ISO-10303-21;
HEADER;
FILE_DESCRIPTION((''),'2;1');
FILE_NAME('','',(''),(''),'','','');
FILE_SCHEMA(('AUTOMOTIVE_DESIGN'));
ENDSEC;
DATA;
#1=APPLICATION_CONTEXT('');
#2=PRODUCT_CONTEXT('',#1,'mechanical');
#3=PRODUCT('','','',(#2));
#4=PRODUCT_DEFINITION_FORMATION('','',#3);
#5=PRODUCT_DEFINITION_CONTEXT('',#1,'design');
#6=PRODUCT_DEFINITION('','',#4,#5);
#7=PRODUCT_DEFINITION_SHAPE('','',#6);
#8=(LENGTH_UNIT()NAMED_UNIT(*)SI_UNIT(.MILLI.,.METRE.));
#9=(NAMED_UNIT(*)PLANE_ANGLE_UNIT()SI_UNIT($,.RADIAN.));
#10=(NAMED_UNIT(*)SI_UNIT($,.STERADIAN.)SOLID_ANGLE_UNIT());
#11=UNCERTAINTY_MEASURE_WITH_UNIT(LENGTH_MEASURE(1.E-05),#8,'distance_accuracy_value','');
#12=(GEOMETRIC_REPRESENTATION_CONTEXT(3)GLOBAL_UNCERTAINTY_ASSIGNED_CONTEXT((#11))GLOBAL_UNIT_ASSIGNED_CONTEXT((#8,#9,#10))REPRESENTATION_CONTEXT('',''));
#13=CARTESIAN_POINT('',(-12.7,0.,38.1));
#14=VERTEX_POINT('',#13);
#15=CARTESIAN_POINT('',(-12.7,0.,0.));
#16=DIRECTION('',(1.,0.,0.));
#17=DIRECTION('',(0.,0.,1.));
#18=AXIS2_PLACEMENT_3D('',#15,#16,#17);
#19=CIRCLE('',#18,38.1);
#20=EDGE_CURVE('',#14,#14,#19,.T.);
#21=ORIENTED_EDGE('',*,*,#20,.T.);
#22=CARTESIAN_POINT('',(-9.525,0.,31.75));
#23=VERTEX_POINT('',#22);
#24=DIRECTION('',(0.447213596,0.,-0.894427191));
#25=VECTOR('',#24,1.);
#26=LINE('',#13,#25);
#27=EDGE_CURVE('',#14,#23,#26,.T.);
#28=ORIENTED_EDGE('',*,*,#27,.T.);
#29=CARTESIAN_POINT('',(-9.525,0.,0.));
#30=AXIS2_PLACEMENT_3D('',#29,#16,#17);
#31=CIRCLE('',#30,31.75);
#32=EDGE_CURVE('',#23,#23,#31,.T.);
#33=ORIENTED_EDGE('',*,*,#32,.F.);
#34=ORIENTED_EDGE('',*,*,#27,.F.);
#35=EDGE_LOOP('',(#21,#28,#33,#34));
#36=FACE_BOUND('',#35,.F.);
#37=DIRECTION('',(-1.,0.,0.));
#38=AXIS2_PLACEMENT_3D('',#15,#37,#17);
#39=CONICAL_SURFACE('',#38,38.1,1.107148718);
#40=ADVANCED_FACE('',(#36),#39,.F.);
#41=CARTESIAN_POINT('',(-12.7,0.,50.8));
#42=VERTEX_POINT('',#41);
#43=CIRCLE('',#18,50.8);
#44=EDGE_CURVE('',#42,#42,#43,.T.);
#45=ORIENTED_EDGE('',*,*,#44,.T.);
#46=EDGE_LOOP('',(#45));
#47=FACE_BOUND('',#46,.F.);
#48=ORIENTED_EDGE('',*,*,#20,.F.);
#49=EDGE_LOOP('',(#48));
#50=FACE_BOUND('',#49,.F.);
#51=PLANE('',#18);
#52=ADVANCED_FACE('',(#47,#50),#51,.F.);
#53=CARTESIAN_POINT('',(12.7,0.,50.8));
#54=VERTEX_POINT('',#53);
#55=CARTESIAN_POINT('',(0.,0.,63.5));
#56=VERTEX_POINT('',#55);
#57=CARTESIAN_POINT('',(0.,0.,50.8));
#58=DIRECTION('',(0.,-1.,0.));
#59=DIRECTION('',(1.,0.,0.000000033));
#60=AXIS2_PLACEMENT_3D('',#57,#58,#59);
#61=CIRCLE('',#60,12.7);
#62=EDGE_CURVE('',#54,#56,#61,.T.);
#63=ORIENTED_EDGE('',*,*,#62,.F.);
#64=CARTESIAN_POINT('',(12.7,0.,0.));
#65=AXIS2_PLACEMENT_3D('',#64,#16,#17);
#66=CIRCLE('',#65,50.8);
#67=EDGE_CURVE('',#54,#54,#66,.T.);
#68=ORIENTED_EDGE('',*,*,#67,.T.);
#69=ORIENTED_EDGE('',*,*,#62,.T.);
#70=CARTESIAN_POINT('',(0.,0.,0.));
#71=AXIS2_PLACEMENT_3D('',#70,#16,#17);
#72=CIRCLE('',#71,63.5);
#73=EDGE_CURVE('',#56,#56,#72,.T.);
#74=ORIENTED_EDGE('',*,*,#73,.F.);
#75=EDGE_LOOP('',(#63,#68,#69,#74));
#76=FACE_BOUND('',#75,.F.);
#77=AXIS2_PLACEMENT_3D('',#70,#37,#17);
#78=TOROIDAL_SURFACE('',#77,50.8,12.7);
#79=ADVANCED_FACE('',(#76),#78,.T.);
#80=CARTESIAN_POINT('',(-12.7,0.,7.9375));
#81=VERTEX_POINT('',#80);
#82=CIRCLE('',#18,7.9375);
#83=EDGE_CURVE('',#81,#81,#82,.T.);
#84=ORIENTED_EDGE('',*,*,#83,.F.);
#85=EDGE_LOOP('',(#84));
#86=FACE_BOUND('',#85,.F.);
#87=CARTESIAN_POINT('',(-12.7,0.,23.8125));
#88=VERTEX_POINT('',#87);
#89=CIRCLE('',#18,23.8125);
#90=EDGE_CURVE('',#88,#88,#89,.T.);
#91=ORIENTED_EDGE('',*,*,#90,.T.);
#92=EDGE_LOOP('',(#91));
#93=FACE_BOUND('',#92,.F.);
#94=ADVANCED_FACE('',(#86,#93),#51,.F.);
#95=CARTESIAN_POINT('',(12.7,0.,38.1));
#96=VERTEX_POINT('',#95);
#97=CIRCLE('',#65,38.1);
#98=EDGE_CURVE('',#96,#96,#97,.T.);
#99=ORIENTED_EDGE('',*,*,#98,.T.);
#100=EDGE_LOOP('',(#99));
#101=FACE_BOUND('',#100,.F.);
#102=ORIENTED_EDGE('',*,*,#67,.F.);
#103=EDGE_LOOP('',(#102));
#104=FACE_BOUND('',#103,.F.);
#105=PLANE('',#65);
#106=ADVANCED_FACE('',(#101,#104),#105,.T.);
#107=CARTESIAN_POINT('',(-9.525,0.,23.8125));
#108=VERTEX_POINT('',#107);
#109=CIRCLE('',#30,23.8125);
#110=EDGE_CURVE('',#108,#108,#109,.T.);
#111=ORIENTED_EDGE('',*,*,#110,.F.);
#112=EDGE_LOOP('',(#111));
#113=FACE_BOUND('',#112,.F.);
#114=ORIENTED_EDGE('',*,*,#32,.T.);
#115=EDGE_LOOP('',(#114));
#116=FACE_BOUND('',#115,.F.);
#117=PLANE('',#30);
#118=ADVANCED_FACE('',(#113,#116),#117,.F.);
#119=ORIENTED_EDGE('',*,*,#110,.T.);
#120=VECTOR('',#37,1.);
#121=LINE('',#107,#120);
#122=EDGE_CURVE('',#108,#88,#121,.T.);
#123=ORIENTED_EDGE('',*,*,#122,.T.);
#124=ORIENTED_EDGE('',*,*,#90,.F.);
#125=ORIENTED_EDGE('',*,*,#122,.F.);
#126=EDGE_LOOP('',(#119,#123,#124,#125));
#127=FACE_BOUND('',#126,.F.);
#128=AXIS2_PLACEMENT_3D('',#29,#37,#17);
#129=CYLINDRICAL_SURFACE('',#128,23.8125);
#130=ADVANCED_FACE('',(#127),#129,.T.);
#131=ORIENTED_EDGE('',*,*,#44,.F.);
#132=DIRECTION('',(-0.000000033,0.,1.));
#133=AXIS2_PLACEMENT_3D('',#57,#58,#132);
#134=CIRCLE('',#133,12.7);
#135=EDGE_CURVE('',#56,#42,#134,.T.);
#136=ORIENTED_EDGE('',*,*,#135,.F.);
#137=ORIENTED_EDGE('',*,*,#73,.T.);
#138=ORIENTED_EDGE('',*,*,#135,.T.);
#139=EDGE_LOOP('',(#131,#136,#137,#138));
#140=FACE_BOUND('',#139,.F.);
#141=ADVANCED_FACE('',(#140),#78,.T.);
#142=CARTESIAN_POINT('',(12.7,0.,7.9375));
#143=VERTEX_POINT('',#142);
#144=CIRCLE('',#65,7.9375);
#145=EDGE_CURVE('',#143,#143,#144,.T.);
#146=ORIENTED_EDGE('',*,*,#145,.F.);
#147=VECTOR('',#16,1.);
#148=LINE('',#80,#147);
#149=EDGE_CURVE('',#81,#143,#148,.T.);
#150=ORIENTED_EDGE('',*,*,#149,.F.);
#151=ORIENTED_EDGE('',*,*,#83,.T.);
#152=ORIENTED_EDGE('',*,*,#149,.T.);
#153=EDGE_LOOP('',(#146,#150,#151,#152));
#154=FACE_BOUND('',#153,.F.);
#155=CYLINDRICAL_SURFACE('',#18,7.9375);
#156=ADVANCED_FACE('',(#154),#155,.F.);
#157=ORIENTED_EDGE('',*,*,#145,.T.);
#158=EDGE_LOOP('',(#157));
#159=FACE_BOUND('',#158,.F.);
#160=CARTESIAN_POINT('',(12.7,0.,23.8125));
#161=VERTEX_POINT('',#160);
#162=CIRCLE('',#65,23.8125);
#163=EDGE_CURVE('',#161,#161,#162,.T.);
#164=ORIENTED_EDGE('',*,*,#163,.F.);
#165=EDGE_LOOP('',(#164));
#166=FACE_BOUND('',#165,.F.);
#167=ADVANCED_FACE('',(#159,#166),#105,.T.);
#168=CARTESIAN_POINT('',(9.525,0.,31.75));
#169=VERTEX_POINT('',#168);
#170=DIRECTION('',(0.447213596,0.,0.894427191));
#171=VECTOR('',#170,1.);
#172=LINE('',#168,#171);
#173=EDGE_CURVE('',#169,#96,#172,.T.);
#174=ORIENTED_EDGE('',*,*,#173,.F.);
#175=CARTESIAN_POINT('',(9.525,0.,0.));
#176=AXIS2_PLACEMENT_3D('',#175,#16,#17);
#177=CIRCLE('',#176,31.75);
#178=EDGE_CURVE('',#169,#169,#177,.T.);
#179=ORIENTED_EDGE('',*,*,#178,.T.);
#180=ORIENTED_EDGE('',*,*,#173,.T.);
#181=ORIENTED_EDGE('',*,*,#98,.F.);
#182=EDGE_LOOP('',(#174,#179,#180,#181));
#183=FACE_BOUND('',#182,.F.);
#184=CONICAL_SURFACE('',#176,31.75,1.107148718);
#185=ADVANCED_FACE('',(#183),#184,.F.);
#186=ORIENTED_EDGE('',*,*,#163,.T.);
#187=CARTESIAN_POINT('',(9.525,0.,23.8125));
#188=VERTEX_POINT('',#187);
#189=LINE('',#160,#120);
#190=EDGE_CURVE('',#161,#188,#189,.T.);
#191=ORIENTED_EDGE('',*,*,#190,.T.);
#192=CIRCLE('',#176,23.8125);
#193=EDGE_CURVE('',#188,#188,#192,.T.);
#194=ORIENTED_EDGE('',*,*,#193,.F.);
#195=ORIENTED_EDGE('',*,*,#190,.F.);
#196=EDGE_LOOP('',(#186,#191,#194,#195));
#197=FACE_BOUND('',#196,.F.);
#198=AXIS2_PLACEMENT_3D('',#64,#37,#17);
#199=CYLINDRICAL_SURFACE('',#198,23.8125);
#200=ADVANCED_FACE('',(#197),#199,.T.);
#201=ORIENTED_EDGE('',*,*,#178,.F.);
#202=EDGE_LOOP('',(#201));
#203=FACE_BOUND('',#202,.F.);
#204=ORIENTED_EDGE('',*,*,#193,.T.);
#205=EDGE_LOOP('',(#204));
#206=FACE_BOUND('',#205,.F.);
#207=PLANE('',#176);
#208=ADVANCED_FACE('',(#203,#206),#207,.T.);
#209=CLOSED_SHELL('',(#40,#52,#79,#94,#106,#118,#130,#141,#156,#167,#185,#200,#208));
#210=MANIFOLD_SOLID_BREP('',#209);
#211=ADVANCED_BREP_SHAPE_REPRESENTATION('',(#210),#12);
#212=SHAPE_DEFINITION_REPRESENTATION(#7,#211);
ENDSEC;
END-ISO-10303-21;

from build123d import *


with BuildPart() as f1:
    # F0 (on Front) → F1 (revolve)
    with BuildSketch(Plane.XZ):
        with BuildLine():
            Line((-12.7, 7.9375), (0, 7.9375))
            Line((0, 7.9375), (12.7, 7.9375))
            Line((12.7, 7.9375), (12.7, 23.8125))
            Line((12.7, 23.8125), (9.525, 23.8125))
            Line((9.525, 23.8125), (9.525, 31.75))
            Line((9.525, 31.75), (12.7, 38.1))
            Line((12.7, 38.1), (12.7, 50.8))
            ThreePointArc((12.7, 50.8), (8.980256, 59.780256), (0, 63.5))
            ThreePointArc((0, 63.5), (-8.980256, 59.780256), (-12.7, 50.8))
            Line((-12.7, 50.8), (-12.7, 38.1))
            Line((-12.7, 38.1), (-9.525, 31.75))
            Line((-9.525, 31.75), (-9.525, 23.8125))
            Line((-9.525, 23.8125), (-12.7, 23.8125))
            Line((-12.7, 23.8125), (-12.7, 7.9375))
        make_face()
    revolve(axis=Axis((-3.268924, 0, 0), (1, 0, 0)))


solid = f1.part
